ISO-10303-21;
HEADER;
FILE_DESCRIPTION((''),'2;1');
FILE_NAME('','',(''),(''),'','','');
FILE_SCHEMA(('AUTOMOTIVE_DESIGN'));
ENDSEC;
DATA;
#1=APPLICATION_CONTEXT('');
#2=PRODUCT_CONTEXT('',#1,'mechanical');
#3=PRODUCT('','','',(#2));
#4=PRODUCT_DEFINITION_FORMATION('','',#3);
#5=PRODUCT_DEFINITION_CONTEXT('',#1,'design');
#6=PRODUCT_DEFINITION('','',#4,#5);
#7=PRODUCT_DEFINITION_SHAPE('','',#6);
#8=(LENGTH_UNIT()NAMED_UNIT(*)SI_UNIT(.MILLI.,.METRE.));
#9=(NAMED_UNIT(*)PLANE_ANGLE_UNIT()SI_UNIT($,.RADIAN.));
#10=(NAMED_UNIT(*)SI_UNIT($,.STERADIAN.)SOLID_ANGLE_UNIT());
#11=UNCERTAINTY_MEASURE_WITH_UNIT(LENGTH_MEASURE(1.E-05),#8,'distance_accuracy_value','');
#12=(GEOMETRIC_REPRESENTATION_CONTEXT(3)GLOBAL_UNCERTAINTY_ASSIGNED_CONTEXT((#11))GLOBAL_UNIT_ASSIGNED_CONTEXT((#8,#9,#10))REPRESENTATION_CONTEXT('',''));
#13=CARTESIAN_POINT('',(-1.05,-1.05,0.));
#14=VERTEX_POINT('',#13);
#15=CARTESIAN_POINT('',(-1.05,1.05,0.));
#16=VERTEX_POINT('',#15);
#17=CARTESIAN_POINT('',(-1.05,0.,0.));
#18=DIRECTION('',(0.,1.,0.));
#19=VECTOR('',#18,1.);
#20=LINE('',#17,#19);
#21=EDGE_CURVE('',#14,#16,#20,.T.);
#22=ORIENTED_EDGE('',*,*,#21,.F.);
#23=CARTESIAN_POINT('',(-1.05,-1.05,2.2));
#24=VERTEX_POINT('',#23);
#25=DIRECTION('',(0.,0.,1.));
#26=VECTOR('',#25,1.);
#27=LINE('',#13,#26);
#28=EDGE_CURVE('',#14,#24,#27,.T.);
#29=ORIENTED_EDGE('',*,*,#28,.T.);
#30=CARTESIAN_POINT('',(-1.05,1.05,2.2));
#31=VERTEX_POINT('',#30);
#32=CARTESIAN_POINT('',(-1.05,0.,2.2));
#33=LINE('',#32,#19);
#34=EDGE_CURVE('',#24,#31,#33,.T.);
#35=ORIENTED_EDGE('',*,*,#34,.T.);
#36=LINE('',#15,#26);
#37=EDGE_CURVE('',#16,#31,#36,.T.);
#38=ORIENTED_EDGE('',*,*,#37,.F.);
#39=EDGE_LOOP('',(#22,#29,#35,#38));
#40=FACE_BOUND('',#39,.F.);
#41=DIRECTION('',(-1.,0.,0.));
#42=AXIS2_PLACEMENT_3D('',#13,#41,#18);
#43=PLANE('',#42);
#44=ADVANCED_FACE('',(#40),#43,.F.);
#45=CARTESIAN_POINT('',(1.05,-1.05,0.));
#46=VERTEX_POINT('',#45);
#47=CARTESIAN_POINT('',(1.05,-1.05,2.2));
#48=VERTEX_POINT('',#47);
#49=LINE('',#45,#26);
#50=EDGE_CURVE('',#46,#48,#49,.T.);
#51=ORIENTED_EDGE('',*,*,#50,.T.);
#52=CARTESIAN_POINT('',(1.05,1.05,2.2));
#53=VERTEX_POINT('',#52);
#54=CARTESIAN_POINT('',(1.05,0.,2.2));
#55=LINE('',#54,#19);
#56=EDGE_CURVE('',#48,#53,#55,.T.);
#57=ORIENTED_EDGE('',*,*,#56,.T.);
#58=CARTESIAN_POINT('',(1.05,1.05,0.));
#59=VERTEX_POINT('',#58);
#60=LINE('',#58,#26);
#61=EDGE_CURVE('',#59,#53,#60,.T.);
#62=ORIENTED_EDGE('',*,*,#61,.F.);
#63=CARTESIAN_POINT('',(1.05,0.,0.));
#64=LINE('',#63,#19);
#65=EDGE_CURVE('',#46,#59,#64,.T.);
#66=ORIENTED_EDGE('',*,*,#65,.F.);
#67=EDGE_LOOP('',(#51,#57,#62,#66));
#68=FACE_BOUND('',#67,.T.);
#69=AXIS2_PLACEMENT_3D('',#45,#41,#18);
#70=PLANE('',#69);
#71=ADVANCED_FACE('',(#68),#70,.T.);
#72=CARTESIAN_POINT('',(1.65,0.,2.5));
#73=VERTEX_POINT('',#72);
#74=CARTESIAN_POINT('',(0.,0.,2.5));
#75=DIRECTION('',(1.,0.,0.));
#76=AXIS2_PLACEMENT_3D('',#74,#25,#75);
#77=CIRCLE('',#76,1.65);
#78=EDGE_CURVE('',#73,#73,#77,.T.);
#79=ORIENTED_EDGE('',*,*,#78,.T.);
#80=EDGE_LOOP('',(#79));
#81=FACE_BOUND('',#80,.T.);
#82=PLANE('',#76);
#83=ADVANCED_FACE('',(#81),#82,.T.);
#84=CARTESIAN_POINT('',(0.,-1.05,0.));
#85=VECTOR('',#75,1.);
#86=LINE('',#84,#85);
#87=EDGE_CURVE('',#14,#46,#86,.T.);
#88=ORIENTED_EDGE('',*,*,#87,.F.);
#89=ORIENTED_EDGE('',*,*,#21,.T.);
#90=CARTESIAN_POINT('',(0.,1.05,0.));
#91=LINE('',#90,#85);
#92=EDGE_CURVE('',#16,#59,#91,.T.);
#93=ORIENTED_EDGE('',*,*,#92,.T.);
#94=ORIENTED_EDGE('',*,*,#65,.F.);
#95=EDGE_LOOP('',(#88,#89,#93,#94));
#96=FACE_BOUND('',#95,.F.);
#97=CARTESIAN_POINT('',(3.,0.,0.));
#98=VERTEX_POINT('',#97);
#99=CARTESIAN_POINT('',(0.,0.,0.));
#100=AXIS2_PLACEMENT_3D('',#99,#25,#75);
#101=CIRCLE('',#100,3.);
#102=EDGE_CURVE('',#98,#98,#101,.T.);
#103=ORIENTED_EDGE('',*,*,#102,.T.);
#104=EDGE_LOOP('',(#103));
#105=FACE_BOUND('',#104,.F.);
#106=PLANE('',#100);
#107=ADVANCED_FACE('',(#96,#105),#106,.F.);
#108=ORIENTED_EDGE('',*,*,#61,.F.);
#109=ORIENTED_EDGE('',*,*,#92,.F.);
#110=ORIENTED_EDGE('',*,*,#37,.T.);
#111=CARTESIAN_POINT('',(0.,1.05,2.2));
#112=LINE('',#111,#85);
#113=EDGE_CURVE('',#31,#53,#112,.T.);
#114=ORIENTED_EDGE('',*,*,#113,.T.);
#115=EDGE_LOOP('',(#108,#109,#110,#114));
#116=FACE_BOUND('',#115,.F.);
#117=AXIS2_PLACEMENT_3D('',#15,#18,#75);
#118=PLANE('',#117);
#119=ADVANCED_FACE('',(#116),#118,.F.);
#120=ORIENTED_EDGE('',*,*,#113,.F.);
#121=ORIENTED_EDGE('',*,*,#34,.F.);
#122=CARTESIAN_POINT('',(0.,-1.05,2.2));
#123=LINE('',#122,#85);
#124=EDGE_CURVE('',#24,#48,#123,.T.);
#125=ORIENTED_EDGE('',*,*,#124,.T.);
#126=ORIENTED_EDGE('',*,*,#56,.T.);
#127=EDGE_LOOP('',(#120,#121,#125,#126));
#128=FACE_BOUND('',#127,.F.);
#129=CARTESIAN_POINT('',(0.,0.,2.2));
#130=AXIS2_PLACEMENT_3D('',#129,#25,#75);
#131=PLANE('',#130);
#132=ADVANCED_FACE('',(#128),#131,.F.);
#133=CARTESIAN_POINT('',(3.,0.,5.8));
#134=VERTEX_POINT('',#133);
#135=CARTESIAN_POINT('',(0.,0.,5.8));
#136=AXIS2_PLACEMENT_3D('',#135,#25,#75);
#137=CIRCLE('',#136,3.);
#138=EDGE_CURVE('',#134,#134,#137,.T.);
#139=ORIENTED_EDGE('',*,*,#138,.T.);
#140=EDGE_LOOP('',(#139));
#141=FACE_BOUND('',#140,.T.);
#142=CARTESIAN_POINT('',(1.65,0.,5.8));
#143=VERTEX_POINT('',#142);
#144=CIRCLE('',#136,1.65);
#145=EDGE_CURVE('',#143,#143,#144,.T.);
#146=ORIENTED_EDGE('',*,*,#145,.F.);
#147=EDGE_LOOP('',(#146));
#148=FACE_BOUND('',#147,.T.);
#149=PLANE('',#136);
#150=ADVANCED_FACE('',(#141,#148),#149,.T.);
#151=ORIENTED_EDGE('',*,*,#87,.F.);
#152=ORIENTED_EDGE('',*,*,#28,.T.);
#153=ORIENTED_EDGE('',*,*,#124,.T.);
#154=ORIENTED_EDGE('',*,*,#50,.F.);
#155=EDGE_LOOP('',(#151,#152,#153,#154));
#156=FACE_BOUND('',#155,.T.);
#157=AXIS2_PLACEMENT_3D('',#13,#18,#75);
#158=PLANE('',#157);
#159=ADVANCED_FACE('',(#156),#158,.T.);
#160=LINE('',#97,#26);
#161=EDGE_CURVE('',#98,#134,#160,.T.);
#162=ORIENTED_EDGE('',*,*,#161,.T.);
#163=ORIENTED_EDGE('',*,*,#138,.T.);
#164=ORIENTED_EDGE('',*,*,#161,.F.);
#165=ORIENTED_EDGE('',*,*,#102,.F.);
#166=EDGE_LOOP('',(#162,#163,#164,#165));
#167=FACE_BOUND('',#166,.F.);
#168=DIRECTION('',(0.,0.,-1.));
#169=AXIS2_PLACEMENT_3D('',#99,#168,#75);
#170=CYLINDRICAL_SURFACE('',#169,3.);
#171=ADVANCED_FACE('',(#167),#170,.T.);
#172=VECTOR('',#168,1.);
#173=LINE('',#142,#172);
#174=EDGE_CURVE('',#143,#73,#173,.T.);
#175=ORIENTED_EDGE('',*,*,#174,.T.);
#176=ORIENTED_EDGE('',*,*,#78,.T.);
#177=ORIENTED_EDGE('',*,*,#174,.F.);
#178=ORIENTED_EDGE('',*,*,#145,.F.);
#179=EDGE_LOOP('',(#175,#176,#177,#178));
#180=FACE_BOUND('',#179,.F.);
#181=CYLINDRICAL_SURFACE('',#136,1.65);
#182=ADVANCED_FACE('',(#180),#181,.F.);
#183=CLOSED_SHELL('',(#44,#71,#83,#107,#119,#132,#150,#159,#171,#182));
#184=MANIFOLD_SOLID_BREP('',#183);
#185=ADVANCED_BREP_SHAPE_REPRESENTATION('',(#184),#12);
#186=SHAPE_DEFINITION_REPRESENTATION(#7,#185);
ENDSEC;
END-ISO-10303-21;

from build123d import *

# Parameters (mm, degrees)
SKETCH006_R     = 3
PAD001_DEPTH    = 5.8
SKETCH007_W     = 2.1
SKETCH007_H     = 2.1
POCKET001_DEPTH = 2.2
SKETCH008_R     = 1.65
POCKET002_DEPTH = 3.3


with BuildPart() as part:
    # Sketch006 → Pad001 (new body)
    with BuildSketch(Plane.XY):
        Circle(SKETCH006_R)
    extrude(amount=PAD001_DEPTH)

    # Sketch007 → Pocket001 (cut)
    with BuildSketch(Plane.XY):
        Rectangle(SKETCH007_W, SKETCH007_H)
    extrude(amount=POCKET001_DEPTH, mode=Mode.SUBTRACT)

    # Sketch008 (on Face3 of Pocket001) → Pocket002 (cut)
    with BuildSketch(Plane.XY.offset(5.8)):
        Circle(SKETCH008_R)
    extrude(amount=-POCKET002_DEPTH, mode=Mode.SUBTRACT)


solid = part.part
